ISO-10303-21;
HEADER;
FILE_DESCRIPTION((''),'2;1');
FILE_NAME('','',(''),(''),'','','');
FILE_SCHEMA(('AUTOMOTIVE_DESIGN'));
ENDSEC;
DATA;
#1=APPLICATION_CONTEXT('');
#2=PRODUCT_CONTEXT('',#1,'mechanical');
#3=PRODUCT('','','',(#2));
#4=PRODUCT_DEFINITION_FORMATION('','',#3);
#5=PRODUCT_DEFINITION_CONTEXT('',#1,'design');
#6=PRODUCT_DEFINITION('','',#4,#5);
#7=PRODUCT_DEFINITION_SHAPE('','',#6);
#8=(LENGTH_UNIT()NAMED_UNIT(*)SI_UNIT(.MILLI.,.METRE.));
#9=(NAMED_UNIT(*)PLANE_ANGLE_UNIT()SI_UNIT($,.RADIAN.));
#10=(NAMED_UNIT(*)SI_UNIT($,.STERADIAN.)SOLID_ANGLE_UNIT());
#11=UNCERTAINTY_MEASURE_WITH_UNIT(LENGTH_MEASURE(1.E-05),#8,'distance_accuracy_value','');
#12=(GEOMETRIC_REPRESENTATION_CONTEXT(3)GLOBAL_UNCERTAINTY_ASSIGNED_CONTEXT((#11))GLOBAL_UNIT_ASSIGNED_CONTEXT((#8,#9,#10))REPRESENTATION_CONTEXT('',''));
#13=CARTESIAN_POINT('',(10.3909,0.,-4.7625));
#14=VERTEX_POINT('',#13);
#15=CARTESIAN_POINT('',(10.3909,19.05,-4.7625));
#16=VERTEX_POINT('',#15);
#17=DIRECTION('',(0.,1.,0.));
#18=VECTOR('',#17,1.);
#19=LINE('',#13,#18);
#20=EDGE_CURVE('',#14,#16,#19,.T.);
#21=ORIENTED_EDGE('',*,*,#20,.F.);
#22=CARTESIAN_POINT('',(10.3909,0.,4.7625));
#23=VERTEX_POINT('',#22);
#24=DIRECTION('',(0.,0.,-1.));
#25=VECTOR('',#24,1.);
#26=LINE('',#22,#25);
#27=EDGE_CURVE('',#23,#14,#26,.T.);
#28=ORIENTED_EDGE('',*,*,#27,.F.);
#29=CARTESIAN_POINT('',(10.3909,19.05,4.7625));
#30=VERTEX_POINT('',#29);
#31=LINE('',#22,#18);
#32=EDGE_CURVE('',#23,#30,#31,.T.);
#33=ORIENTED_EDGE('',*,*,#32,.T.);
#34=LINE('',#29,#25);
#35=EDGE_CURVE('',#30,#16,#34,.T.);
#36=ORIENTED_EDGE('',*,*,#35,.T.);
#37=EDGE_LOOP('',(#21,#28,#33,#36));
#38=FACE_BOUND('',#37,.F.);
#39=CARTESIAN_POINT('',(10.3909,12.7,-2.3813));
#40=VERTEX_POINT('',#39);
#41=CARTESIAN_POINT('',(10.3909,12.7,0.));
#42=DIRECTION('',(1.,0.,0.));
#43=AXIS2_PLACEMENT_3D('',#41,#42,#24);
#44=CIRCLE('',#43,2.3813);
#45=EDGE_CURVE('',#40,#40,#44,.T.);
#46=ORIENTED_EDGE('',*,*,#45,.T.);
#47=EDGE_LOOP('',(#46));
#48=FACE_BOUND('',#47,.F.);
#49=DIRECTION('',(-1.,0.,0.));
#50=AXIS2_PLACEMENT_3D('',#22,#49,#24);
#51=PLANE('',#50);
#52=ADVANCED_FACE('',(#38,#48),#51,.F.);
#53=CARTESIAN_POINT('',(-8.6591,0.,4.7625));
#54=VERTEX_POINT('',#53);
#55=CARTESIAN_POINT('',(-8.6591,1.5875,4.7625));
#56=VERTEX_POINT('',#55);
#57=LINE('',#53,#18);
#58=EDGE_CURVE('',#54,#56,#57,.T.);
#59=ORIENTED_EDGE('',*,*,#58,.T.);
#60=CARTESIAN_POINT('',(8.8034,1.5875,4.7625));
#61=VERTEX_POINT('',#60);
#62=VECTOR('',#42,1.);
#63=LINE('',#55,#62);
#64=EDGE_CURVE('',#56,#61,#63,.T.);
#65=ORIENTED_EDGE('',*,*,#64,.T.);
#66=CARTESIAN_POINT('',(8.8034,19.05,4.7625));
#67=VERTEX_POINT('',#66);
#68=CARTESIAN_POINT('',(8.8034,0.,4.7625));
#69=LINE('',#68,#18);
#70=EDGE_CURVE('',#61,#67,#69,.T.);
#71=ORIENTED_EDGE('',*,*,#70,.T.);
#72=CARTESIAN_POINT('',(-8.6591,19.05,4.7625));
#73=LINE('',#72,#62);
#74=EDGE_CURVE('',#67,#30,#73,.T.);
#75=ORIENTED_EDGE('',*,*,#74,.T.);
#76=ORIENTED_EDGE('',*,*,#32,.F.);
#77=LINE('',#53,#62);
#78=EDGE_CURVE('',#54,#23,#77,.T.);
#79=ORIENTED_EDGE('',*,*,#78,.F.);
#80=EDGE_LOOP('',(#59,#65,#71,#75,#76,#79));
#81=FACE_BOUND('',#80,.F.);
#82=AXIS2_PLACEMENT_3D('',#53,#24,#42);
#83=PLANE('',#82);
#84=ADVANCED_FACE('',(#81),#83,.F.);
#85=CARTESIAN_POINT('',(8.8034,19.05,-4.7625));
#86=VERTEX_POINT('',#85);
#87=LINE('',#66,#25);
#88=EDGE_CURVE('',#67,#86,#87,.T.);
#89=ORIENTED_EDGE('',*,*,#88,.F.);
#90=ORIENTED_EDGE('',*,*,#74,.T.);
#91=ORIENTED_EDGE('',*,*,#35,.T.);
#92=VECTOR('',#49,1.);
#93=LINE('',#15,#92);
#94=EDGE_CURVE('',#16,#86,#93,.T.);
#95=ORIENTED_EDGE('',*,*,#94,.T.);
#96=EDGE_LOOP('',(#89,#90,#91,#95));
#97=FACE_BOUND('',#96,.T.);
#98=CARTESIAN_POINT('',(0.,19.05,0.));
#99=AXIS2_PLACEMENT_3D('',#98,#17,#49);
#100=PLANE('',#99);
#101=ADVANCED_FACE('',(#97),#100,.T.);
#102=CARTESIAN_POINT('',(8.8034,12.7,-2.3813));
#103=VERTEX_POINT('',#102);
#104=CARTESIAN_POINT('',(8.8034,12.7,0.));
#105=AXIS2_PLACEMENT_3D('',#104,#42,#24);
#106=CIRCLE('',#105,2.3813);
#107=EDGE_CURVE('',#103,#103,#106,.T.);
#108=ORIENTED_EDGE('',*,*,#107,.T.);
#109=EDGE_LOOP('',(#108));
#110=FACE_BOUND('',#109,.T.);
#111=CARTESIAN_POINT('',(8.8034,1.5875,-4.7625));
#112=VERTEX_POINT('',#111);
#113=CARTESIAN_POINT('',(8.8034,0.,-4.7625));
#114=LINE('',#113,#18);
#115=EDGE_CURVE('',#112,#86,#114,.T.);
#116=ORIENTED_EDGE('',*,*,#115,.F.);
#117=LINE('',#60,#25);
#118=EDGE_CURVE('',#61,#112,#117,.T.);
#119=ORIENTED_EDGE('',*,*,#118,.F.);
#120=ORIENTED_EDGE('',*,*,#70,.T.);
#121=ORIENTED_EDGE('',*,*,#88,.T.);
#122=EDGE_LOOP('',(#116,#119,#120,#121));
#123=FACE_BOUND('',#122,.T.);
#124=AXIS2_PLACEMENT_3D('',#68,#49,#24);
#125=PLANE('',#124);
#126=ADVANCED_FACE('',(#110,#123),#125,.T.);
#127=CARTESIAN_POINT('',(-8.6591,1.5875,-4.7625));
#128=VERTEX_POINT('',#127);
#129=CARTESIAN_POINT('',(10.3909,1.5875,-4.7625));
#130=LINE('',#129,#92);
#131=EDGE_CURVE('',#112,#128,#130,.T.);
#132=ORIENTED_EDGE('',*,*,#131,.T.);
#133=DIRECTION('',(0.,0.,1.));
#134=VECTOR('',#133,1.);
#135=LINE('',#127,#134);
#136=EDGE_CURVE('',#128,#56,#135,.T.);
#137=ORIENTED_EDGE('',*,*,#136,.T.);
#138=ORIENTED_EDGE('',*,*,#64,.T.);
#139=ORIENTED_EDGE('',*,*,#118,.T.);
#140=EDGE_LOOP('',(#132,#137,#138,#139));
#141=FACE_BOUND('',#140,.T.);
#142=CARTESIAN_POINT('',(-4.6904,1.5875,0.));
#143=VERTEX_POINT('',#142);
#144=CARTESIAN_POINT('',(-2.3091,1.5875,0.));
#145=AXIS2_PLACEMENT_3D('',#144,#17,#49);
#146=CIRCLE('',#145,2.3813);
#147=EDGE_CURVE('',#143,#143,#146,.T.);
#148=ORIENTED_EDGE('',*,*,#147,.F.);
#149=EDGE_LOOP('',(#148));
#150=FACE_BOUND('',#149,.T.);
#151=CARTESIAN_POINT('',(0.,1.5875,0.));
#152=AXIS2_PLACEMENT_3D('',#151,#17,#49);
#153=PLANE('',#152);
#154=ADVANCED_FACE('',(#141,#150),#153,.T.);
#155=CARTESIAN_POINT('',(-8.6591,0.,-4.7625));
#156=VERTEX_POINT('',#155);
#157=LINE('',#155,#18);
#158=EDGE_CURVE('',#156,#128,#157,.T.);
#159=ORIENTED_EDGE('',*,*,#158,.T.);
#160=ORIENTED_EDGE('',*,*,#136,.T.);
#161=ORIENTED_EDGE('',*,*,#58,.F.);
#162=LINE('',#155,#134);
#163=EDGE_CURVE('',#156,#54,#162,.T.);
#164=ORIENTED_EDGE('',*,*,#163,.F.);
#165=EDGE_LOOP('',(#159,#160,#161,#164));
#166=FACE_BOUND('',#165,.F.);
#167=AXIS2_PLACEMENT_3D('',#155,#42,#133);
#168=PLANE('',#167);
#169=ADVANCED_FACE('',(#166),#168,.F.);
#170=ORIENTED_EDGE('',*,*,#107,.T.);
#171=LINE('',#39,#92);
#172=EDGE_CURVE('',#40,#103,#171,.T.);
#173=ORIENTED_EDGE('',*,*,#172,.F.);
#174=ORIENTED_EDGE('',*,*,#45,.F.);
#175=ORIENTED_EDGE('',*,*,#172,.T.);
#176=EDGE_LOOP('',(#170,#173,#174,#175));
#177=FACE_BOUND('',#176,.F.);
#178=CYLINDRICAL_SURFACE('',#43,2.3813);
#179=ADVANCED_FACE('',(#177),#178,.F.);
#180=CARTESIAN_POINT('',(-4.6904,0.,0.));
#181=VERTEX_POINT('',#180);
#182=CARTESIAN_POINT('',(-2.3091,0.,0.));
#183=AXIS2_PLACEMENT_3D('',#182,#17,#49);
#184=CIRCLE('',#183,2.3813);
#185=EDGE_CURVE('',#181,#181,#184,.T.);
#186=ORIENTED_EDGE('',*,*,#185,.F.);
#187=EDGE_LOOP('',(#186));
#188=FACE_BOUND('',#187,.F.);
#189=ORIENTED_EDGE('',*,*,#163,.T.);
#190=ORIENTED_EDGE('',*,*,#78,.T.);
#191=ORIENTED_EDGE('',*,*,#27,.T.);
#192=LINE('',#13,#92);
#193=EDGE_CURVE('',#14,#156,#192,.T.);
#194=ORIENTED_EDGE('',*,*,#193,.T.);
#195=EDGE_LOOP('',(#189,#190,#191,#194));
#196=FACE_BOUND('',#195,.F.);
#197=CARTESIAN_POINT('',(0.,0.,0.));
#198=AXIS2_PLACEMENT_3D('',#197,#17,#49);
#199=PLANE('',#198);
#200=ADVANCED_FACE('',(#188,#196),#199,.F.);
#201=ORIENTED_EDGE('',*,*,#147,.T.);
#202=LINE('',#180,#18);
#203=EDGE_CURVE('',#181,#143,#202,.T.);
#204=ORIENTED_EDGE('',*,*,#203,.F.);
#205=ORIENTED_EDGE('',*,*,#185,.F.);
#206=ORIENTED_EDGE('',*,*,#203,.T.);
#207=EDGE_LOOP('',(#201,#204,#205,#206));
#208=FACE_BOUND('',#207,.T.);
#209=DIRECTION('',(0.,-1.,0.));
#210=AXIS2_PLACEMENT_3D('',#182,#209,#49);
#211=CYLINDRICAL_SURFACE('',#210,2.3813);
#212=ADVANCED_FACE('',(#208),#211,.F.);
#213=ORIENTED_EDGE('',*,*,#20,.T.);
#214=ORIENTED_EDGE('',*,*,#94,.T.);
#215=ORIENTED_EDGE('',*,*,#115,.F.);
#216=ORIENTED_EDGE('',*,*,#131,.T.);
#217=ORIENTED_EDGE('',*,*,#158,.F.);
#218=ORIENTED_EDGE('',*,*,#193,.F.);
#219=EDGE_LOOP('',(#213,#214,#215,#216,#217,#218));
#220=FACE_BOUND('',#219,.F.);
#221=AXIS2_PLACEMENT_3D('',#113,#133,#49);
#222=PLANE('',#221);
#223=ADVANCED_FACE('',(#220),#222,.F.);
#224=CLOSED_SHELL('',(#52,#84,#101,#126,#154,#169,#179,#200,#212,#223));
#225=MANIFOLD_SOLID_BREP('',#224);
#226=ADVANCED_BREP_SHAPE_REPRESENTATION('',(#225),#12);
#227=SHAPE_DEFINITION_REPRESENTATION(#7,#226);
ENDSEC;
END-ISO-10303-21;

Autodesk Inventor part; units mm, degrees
ref_plane "YZ Plane" through (0, 0, 0) normal (1, 0, 0) x (0, 1, 0)
ref_plane "XZ Plane" through (0, 0, 0) normal (0, 1, 0) x (-1, 0, 0)
ref_plane "XY Plane" through (0, 0, 0) normal (0, 0, 1) x (1, 0, 0)
sketch "Sketch1" plane through (0, 0, 0) normal (0, 1, 0) x (-1, 0, 0)
  line L0 (8.6591, 4.7625) -> (-10.3909, 4.7625)
  line L1 (-10.3909, 4.7625) -> (-10.3909, -4.7625)
  line L2 (-10.3909, -4.7625) -> (8.6591, -4.7625)
  line L3 (8.6591, -4.7625) -> (8.6591, 4.7625)
  circle A0 centre (2.3091, 0) radius 2.3813
  line L4 (-10.3909, 4.7625) -> (-8.8034, 4.7625)
  line L5 (-8.8034, 4.7625) -> (-8.8034, -4.7625)
  line L6 (-8.8034, -4.7625) -> (-10.3909, -4.7625)
  line L7 (-10.3909, -4.7625) -> (-10.3909, 4.7625)
  point P0 (0, 0)
  dimension "d0" = 19.05
  dimension "d1" = 9.525
  dimension "d3" = 4.7625
  dimension "d4" = 12.7
  dimension "d5" = 1.5875
extrude "Extrusion1" add sketch "Sketch1" along normal blind 1.5875 contours L3 L2 L5 L0
extrude "Extrusion2" add sketch "Sketch1" along normal blind 19.05 contours L5 L2 L1 L0
sketch "Sketch2" plane through (10.3909, 0, 4.7625) normal (1, 0, 0) x (0, 0, -1)
  circle A0 centre (4.7625, 12.7) radius 2.3813
  point P0 (4.7625, 0)
  dimension "d10" = 12.7
  dimension "d11" = 4.7625
extrude "Extrusion3" cut sketch "Sketch2" against normal blind 1.5875
properties part number "LBlock"
